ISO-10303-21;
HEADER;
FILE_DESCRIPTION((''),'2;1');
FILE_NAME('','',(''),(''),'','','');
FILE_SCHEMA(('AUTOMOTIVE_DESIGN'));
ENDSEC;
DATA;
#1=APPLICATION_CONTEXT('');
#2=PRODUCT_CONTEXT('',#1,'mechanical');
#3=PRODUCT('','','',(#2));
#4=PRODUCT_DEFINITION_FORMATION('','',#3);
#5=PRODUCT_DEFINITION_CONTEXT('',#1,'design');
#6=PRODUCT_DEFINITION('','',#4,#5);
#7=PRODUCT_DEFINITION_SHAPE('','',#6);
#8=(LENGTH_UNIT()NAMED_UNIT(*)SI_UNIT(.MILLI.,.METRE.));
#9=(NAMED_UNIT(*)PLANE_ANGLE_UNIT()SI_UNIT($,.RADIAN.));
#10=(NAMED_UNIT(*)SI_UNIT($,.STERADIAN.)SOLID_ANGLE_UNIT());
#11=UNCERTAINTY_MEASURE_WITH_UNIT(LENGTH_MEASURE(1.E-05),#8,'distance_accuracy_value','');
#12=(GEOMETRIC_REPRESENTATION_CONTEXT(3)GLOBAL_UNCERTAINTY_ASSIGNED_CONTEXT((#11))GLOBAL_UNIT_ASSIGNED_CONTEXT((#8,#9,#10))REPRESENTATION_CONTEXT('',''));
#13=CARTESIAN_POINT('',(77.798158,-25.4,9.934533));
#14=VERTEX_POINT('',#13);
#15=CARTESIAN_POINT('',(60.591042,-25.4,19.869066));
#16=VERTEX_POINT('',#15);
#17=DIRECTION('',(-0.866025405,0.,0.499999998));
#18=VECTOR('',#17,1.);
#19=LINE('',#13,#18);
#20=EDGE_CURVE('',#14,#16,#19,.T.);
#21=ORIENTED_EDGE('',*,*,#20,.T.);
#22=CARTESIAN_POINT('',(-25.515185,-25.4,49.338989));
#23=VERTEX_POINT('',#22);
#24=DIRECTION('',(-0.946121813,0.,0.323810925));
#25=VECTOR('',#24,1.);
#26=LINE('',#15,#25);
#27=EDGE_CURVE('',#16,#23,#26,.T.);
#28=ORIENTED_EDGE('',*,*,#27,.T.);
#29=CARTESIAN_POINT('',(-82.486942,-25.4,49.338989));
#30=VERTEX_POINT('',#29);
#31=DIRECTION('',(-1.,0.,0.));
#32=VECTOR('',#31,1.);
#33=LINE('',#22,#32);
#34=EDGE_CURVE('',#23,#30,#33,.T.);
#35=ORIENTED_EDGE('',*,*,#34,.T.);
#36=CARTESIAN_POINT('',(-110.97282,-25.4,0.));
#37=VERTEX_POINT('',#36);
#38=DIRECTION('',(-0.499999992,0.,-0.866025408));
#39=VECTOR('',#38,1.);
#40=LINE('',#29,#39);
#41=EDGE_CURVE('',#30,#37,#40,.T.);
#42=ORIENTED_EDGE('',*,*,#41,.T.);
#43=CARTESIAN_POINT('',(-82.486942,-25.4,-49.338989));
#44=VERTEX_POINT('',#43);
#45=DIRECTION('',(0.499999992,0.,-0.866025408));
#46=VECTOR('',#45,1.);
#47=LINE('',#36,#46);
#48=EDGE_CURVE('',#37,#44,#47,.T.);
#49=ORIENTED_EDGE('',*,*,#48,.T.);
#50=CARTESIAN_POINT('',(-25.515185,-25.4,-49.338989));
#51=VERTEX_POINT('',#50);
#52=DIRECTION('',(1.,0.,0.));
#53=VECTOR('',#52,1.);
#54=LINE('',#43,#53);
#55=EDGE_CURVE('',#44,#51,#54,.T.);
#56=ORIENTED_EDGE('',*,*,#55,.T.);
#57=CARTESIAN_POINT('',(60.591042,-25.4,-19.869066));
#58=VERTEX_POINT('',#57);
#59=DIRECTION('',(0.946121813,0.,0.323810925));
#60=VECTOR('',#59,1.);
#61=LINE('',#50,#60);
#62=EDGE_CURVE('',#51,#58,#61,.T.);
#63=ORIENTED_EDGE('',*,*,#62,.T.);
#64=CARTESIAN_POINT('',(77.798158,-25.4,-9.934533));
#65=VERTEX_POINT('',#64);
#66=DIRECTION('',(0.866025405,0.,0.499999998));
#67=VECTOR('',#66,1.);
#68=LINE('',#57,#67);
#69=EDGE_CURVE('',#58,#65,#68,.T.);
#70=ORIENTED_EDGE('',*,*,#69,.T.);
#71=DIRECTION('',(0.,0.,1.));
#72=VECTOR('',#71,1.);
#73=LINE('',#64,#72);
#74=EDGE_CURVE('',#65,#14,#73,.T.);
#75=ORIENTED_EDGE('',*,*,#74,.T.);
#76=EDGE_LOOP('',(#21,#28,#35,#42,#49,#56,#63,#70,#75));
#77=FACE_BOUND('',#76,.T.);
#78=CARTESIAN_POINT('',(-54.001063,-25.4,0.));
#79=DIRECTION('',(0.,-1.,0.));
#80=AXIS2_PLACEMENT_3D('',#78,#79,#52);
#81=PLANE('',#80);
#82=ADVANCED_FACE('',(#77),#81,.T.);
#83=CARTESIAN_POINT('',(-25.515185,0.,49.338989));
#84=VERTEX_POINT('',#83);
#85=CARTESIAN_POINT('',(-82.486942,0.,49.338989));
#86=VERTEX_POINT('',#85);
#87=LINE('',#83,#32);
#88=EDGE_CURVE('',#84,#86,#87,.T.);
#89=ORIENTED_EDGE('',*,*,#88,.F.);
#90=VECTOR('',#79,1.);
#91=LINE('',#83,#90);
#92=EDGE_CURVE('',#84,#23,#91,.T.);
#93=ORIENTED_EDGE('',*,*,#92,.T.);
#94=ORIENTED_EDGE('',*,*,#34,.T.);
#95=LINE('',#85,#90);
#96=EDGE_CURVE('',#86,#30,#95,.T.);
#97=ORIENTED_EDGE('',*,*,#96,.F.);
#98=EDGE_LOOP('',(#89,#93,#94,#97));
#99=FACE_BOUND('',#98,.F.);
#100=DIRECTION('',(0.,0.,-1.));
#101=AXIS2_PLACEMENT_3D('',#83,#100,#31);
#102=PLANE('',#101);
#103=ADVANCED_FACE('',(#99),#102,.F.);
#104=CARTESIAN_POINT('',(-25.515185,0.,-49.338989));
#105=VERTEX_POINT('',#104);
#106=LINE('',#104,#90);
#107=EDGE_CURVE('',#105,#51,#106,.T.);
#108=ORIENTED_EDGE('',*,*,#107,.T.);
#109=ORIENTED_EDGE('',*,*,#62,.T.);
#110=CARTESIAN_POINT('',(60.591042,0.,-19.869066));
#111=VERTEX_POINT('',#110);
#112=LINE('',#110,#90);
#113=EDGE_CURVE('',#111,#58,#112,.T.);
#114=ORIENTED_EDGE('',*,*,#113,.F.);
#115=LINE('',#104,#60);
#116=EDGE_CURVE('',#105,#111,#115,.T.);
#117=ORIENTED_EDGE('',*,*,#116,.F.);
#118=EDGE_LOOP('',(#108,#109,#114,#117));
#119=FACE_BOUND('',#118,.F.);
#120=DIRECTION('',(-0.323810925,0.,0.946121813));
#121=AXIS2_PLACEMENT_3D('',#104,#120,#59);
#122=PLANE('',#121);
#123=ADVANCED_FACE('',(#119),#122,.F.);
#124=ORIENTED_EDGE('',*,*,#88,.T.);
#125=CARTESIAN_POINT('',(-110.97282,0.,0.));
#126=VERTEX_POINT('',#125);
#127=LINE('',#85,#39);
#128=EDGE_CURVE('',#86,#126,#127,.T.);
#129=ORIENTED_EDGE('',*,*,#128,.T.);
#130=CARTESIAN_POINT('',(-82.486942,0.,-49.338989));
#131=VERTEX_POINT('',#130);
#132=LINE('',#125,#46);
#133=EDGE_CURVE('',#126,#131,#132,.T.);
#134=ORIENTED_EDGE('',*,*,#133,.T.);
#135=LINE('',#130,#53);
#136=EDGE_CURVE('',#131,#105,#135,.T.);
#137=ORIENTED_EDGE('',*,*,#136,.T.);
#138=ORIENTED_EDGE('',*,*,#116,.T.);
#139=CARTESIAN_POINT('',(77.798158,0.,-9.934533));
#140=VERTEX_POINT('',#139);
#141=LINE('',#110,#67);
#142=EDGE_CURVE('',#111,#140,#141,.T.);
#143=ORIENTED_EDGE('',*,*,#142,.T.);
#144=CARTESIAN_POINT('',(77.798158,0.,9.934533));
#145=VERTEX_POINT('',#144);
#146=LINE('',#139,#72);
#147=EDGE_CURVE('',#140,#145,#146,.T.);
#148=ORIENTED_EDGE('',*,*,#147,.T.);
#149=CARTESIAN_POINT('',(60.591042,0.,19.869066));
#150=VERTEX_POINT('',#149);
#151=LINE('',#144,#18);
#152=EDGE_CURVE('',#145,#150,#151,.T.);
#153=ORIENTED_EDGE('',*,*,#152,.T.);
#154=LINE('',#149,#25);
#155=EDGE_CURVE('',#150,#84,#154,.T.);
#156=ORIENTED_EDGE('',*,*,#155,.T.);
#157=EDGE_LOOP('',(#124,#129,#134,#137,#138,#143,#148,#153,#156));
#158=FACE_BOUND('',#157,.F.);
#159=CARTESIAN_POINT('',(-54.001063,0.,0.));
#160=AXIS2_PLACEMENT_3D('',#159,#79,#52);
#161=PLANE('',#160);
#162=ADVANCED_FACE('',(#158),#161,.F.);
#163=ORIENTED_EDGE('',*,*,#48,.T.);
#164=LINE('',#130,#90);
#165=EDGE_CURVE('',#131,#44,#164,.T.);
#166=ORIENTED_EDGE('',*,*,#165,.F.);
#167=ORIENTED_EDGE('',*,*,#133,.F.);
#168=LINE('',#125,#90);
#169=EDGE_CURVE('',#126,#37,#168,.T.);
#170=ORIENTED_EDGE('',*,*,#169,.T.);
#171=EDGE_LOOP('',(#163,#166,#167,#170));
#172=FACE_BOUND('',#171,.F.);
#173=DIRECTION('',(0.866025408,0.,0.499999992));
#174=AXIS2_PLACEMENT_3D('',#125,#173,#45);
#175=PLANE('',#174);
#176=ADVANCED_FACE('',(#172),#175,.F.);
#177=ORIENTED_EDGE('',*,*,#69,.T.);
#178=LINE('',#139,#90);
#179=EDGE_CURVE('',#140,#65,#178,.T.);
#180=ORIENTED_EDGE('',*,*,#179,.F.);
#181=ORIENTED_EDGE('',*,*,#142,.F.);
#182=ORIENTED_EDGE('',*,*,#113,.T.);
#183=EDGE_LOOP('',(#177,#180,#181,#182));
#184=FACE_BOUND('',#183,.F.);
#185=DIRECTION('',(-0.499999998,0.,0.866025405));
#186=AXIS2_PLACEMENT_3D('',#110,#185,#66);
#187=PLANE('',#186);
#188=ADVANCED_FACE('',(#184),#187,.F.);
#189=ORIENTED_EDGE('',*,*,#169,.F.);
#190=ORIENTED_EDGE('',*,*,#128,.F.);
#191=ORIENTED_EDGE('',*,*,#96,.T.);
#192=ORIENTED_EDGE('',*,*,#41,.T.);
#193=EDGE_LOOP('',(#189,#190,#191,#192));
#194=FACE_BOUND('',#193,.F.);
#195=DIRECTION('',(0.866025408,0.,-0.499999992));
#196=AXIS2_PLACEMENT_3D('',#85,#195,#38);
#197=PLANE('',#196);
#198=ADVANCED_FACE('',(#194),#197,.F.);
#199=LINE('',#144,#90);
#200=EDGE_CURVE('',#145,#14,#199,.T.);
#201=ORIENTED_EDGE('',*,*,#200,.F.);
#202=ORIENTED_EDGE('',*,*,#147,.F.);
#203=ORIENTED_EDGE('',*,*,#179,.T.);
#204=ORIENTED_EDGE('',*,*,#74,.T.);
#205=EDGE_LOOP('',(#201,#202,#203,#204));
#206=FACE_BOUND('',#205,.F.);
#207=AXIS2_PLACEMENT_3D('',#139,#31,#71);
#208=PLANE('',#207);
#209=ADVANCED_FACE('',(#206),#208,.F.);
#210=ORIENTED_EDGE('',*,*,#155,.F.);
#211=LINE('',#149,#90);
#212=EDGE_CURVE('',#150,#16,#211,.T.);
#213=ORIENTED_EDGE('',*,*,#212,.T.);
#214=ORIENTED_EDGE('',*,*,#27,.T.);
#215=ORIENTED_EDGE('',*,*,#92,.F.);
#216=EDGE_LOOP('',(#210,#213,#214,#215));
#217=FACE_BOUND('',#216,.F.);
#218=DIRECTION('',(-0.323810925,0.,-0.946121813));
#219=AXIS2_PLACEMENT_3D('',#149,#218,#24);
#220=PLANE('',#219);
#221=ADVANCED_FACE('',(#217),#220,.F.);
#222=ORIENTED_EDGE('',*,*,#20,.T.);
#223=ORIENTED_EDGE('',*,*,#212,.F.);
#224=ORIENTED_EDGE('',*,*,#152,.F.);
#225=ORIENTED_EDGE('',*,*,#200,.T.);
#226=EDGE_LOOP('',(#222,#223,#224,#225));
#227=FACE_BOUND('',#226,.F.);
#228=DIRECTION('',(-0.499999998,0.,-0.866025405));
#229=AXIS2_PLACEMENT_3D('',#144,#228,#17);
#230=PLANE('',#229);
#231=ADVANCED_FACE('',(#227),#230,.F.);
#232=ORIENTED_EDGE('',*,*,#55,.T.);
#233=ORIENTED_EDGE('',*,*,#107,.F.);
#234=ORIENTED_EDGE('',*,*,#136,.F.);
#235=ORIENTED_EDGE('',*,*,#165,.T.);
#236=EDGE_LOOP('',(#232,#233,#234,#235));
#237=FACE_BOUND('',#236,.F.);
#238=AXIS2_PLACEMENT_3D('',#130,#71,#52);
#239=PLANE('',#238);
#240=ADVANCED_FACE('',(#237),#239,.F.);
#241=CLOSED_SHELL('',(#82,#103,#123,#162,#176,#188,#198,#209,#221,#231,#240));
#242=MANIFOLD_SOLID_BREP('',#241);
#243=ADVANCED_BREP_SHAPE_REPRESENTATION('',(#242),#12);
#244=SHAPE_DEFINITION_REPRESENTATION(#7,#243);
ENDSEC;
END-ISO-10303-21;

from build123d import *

# Parameters (mm, degrees)
F1_DEPTH = 25.4


with BuildPart() as f1:
    # F0 (on Front) → F1 (new body)
    with BuildSketch(Plane.XZ):
        Polygon((-25.515185, 49.338989), (-82.486942, 49.338989), (-110.97282, 0), (-82.486942, -49.338989), (-25.515185, -49.338989), (2.970694, 0), align=None)
        Polygon((60.591042, 19.869066), (-25.515185, 49.338989), (2.970694, 0), (-25.515185, -49.338989), (60.591042, -19.869066), (43.383926, -9.934533), (43.383926, 9.934533), align=None)
        Polygon((77.798158, 9.934533), (60.591042, 19.869066), (43.383926, 9.934533), (43.383926, -9.934533), (60.591042, -19.869066), (77.798158, -9.934533), align=None)
    extrude(amount=F1_DEPTH)


solid = f1.part
